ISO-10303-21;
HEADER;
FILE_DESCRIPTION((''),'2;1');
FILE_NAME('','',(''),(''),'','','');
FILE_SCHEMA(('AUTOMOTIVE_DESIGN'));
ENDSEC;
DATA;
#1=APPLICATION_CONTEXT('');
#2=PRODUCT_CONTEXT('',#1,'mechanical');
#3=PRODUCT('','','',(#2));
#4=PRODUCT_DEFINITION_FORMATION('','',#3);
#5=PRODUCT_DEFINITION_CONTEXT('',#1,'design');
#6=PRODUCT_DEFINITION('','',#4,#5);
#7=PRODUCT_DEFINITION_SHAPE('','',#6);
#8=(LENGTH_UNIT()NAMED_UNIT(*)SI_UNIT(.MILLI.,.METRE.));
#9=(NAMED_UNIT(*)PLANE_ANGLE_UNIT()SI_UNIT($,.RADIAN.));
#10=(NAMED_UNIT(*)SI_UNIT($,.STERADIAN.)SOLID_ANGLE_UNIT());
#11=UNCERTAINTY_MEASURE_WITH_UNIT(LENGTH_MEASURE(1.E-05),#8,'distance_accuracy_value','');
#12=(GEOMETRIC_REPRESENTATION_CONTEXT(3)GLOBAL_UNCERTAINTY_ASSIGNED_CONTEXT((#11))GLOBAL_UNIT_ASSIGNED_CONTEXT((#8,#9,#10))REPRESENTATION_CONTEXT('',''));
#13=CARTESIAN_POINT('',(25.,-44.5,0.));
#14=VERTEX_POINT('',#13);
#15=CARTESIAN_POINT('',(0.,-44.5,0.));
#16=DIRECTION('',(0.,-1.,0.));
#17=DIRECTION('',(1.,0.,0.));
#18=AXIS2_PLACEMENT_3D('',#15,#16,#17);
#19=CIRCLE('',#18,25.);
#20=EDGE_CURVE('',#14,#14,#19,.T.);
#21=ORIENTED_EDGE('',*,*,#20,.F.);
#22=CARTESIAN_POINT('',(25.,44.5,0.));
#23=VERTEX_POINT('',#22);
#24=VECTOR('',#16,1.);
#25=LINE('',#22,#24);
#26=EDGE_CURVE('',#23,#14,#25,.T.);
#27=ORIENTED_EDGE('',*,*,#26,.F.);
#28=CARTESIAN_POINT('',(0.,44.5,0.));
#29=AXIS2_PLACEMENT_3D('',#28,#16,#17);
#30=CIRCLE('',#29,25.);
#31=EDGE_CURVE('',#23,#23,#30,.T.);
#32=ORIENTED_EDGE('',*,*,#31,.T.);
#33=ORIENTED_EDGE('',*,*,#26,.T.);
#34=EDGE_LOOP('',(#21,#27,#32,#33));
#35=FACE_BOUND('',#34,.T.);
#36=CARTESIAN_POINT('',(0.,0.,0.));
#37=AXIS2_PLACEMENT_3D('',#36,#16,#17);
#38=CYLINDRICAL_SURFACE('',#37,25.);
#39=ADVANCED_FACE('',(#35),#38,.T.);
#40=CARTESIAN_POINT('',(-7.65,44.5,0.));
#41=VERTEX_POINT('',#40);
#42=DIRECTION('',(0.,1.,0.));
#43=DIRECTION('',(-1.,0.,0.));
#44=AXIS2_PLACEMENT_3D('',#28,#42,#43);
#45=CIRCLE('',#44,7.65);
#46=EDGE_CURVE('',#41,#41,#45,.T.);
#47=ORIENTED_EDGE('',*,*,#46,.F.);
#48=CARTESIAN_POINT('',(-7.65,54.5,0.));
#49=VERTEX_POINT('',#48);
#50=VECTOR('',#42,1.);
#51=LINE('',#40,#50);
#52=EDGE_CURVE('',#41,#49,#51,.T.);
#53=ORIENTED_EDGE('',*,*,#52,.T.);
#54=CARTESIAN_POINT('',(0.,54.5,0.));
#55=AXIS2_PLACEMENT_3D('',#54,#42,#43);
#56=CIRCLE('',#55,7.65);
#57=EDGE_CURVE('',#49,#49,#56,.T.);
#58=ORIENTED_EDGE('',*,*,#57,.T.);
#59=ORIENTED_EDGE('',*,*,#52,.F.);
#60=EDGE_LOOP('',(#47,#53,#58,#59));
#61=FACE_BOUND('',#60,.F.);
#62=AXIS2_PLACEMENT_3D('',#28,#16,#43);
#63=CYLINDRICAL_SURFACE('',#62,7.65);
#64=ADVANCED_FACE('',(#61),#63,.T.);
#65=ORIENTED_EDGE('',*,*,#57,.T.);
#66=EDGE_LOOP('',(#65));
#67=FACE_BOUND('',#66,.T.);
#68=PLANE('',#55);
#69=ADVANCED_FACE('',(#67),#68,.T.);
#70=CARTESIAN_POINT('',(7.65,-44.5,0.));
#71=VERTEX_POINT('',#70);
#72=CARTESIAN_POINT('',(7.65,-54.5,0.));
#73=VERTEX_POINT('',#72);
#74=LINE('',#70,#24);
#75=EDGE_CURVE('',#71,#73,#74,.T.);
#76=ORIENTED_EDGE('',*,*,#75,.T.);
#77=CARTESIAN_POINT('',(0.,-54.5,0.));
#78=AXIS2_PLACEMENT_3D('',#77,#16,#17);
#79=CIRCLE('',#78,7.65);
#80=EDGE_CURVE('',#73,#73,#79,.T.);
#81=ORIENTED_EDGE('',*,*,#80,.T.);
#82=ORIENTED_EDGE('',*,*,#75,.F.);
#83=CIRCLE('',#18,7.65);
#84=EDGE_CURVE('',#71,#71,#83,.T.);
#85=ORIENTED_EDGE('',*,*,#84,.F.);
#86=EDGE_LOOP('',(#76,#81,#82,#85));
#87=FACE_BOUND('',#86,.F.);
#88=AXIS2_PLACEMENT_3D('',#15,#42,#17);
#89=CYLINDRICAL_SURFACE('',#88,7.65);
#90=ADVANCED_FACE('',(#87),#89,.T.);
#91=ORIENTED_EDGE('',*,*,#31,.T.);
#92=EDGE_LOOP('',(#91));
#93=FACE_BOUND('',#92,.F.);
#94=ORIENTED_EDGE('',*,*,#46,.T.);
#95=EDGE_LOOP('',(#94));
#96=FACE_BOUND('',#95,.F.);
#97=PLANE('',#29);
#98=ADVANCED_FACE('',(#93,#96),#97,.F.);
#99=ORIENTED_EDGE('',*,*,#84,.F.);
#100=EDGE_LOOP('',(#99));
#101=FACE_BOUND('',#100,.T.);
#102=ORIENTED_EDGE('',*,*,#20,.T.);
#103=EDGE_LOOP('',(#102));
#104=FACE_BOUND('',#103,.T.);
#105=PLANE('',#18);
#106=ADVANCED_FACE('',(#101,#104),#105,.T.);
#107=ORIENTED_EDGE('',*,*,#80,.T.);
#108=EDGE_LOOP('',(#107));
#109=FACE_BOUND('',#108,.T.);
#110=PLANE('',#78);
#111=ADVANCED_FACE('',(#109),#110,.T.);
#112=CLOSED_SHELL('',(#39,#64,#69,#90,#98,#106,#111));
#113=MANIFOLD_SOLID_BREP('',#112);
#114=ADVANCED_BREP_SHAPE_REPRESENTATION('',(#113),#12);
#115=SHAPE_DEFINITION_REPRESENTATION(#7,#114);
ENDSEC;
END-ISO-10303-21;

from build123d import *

# Parameters (mm, degrees)
F0_R     = 25
F1_DEPTH = 44.5
F2_R     = 7.65
F3_DEPTH = 10
F4_R     = 7.65
F5_DEPTH = 10


with BuildPart() as f1:
    # F0 (on Front) → F1 (new body, symmetric)
    with BuildSketch(Plane.XZ):
        Circle(F0_R)
    extrude(amount=F1_DEPTH, both=True)

    # F2 (on face) → F3 (join)
    with BuildSketch(Plane(origin=(0, 44.5, 0), x_dir=(-1, 0, 0), z_dir=(0, 1, 0))):
        Circle(F2_R)
    extrude(amount=F3_DEPTH)

    # F4 (on face) → F5 (join)
    with BuildSketch(Plane.XZ.offset(44.5)):
        Circle(F4_R)
    extrude(amount=F5_DEPTH)


solid = f1.part
